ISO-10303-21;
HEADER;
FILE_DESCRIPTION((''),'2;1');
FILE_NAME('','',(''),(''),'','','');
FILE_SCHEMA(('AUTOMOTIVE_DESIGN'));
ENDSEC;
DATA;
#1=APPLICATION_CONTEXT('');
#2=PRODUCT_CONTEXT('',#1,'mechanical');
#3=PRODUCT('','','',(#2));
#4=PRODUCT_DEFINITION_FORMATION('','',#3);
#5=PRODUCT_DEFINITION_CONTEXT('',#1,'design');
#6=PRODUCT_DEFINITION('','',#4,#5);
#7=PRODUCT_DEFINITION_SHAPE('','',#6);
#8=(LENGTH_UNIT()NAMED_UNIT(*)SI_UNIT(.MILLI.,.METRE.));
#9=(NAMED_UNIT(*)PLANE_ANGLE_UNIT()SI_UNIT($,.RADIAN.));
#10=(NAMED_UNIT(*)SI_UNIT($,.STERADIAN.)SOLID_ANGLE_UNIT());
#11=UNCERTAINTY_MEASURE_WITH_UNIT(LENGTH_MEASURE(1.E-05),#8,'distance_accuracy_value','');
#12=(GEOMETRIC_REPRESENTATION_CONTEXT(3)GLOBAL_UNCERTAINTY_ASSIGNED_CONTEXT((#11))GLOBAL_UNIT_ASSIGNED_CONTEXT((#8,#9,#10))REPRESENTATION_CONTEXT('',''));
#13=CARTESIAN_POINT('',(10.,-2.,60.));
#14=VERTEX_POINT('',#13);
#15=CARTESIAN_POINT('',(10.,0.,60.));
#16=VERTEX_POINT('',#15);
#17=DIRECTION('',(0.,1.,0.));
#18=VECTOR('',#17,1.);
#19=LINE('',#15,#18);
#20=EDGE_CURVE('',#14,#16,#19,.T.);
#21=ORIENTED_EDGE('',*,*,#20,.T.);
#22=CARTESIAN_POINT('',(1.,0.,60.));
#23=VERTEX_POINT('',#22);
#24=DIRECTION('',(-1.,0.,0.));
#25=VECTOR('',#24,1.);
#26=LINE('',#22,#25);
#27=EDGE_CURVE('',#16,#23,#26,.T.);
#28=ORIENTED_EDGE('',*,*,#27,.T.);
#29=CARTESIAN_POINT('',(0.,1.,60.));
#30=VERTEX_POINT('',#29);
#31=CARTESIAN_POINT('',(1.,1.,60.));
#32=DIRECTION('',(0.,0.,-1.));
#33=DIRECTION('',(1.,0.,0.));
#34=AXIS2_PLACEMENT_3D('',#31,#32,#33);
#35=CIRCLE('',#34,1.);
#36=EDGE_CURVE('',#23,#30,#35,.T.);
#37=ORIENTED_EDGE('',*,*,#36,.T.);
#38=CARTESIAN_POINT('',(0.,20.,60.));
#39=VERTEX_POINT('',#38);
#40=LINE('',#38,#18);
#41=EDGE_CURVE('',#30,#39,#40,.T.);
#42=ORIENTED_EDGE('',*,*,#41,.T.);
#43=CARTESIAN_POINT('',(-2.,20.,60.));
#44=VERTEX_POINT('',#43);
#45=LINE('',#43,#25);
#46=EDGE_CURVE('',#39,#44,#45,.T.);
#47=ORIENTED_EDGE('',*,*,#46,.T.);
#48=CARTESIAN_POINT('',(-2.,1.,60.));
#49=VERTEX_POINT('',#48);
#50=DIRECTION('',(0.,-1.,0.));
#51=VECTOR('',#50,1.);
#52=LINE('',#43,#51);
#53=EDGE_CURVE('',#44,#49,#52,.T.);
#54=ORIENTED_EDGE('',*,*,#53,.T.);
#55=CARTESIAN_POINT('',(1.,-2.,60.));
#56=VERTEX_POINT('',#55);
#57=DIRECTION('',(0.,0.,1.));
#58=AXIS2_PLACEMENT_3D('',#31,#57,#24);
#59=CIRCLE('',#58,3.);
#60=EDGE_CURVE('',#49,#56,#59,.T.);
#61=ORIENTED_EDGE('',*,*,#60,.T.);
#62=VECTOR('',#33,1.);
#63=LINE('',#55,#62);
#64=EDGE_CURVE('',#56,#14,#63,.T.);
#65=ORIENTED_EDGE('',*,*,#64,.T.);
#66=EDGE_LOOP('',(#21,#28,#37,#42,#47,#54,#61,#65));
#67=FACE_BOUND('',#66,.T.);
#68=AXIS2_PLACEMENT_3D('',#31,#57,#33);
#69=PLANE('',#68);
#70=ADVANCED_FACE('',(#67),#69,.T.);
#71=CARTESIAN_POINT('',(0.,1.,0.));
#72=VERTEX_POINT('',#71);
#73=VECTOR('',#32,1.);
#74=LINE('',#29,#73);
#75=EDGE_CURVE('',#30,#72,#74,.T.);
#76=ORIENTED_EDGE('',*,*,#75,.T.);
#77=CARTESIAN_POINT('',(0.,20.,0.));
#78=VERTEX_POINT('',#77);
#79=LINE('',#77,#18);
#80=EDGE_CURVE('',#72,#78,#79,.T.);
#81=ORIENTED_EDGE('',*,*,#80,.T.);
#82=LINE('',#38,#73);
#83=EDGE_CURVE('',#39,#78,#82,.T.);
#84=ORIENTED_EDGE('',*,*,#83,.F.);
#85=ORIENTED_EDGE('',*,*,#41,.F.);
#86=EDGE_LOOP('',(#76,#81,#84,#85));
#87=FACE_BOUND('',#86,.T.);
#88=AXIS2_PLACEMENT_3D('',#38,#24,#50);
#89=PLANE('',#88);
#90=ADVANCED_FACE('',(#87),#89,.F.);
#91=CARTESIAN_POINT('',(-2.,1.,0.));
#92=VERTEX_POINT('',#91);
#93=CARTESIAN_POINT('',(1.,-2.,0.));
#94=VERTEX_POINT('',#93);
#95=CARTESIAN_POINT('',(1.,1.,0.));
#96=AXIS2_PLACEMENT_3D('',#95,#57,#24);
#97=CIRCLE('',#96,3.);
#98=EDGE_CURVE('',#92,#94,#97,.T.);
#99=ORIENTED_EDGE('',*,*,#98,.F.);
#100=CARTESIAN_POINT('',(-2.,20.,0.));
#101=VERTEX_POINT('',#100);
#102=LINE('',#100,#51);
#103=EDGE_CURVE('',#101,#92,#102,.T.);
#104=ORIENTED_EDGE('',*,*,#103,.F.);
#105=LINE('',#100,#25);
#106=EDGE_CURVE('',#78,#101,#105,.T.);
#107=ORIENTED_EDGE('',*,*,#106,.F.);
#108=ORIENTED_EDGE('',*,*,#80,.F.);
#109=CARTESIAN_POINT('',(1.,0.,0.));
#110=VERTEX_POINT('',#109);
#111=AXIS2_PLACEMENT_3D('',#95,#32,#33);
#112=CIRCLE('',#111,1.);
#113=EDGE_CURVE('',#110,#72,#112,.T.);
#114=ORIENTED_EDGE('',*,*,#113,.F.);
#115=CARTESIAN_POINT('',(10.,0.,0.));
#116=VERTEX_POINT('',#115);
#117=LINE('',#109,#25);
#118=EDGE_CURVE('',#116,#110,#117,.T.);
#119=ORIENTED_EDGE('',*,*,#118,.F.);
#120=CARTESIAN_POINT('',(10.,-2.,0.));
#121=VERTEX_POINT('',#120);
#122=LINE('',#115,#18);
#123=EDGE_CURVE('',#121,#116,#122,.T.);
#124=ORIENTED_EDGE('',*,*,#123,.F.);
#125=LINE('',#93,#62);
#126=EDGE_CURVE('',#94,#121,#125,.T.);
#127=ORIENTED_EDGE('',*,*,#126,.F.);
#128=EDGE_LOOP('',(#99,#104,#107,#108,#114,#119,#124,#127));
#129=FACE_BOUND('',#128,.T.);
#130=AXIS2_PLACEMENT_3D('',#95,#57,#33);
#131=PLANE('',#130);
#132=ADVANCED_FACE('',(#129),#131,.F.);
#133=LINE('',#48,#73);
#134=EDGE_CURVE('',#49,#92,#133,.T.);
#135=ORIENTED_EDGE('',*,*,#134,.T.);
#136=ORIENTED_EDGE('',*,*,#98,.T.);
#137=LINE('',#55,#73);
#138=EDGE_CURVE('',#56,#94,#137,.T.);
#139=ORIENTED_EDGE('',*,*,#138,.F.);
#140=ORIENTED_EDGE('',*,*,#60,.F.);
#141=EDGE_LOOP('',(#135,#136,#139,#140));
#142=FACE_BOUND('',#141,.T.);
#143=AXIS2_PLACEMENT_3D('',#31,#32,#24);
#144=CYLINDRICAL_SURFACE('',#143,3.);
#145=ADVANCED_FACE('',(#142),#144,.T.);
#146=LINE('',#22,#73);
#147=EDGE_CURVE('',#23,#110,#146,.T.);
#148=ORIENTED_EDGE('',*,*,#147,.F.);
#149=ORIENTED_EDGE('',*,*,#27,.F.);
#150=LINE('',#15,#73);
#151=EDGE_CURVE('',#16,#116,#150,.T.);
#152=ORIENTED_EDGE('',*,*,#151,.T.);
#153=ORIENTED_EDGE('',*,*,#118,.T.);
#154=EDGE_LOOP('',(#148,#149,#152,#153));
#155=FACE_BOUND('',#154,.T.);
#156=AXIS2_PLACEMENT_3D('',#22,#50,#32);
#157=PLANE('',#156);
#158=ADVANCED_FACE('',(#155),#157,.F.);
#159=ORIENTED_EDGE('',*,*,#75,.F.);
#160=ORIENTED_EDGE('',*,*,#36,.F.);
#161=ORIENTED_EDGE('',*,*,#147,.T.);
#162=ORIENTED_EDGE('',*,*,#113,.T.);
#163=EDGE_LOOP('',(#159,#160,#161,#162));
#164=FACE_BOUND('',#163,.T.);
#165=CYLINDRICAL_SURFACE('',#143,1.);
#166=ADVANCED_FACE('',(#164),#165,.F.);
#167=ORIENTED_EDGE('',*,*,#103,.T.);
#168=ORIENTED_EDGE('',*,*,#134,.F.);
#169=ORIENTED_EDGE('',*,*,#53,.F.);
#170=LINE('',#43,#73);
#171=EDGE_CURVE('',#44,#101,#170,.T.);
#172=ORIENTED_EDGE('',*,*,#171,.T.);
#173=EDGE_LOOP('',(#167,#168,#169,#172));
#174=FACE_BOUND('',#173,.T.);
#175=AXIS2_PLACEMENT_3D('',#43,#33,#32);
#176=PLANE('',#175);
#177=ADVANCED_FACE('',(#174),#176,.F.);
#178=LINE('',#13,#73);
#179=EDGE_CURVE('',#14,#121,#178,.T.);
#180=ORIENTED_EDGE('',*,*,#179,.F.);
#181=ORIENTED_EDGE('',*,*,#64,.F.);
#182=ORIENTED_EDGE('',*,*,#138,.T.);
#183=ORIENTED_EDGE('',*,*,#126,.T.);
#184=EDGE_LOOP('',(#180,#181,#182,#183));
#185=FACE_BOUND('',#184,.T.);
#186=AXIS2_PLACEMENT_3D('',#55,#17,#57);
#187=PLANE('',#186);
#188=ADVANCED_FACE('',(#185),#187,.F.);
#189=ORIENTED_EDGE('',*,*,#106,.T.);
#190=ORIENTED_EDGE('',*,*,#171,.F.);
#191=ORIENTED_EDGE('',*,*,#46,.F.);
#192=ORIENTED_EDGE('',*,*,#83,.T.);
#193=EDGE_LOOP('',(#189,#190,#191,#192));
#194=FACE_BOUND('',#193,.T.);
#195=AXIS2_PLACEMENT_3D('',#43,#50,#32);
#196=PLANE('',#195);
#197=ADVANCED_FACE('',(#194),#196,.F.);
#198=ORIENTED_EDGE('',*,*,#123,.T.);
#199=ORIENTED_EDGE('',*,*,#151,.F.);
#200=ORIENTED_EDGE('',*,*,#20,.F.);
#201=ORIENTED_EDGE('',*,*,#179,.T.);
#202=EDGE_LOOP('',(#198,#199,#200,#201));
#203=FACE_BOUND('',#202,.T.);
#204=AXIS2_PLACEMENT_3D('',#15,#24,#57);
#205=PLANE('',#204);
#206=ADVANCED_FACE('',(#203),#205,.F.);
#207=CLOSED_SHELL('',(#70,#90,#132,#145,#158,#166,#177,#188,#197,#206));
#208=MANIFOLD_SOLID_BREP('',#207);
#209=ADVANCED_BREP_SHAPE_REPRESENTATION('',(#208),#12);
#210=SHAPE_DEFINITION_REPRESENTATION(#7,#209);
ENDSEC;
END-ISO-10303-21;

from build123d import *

# Parameters (mm, degrees)
EXTRUSION1_DEPTH = 60


with BuildPart() as part:
    # Esquisse1 → Extrusion1 (new body)
    with BuildSketch(Plane.XY):
        with BuildLine():
            Line((0, 20), (0, 1))
            ThreePointArc((0, 1), (0.292893219, 0.292893219), (1, 0))
            Line((1, 0), (10, 0))
            Line((10, 0), (10, -2))
            Line((10, -2), (1, -2))
            ThreePointArc((1, -2), (-1.121320344, -1.121320344), (-2, 1))
            Line((-2, 1), (-2, 20))
            Line((-2, 20), (0, 20))
        make_face()
    extrude(amount=EXTRUSION1_DEPTH)


solid = part.part
